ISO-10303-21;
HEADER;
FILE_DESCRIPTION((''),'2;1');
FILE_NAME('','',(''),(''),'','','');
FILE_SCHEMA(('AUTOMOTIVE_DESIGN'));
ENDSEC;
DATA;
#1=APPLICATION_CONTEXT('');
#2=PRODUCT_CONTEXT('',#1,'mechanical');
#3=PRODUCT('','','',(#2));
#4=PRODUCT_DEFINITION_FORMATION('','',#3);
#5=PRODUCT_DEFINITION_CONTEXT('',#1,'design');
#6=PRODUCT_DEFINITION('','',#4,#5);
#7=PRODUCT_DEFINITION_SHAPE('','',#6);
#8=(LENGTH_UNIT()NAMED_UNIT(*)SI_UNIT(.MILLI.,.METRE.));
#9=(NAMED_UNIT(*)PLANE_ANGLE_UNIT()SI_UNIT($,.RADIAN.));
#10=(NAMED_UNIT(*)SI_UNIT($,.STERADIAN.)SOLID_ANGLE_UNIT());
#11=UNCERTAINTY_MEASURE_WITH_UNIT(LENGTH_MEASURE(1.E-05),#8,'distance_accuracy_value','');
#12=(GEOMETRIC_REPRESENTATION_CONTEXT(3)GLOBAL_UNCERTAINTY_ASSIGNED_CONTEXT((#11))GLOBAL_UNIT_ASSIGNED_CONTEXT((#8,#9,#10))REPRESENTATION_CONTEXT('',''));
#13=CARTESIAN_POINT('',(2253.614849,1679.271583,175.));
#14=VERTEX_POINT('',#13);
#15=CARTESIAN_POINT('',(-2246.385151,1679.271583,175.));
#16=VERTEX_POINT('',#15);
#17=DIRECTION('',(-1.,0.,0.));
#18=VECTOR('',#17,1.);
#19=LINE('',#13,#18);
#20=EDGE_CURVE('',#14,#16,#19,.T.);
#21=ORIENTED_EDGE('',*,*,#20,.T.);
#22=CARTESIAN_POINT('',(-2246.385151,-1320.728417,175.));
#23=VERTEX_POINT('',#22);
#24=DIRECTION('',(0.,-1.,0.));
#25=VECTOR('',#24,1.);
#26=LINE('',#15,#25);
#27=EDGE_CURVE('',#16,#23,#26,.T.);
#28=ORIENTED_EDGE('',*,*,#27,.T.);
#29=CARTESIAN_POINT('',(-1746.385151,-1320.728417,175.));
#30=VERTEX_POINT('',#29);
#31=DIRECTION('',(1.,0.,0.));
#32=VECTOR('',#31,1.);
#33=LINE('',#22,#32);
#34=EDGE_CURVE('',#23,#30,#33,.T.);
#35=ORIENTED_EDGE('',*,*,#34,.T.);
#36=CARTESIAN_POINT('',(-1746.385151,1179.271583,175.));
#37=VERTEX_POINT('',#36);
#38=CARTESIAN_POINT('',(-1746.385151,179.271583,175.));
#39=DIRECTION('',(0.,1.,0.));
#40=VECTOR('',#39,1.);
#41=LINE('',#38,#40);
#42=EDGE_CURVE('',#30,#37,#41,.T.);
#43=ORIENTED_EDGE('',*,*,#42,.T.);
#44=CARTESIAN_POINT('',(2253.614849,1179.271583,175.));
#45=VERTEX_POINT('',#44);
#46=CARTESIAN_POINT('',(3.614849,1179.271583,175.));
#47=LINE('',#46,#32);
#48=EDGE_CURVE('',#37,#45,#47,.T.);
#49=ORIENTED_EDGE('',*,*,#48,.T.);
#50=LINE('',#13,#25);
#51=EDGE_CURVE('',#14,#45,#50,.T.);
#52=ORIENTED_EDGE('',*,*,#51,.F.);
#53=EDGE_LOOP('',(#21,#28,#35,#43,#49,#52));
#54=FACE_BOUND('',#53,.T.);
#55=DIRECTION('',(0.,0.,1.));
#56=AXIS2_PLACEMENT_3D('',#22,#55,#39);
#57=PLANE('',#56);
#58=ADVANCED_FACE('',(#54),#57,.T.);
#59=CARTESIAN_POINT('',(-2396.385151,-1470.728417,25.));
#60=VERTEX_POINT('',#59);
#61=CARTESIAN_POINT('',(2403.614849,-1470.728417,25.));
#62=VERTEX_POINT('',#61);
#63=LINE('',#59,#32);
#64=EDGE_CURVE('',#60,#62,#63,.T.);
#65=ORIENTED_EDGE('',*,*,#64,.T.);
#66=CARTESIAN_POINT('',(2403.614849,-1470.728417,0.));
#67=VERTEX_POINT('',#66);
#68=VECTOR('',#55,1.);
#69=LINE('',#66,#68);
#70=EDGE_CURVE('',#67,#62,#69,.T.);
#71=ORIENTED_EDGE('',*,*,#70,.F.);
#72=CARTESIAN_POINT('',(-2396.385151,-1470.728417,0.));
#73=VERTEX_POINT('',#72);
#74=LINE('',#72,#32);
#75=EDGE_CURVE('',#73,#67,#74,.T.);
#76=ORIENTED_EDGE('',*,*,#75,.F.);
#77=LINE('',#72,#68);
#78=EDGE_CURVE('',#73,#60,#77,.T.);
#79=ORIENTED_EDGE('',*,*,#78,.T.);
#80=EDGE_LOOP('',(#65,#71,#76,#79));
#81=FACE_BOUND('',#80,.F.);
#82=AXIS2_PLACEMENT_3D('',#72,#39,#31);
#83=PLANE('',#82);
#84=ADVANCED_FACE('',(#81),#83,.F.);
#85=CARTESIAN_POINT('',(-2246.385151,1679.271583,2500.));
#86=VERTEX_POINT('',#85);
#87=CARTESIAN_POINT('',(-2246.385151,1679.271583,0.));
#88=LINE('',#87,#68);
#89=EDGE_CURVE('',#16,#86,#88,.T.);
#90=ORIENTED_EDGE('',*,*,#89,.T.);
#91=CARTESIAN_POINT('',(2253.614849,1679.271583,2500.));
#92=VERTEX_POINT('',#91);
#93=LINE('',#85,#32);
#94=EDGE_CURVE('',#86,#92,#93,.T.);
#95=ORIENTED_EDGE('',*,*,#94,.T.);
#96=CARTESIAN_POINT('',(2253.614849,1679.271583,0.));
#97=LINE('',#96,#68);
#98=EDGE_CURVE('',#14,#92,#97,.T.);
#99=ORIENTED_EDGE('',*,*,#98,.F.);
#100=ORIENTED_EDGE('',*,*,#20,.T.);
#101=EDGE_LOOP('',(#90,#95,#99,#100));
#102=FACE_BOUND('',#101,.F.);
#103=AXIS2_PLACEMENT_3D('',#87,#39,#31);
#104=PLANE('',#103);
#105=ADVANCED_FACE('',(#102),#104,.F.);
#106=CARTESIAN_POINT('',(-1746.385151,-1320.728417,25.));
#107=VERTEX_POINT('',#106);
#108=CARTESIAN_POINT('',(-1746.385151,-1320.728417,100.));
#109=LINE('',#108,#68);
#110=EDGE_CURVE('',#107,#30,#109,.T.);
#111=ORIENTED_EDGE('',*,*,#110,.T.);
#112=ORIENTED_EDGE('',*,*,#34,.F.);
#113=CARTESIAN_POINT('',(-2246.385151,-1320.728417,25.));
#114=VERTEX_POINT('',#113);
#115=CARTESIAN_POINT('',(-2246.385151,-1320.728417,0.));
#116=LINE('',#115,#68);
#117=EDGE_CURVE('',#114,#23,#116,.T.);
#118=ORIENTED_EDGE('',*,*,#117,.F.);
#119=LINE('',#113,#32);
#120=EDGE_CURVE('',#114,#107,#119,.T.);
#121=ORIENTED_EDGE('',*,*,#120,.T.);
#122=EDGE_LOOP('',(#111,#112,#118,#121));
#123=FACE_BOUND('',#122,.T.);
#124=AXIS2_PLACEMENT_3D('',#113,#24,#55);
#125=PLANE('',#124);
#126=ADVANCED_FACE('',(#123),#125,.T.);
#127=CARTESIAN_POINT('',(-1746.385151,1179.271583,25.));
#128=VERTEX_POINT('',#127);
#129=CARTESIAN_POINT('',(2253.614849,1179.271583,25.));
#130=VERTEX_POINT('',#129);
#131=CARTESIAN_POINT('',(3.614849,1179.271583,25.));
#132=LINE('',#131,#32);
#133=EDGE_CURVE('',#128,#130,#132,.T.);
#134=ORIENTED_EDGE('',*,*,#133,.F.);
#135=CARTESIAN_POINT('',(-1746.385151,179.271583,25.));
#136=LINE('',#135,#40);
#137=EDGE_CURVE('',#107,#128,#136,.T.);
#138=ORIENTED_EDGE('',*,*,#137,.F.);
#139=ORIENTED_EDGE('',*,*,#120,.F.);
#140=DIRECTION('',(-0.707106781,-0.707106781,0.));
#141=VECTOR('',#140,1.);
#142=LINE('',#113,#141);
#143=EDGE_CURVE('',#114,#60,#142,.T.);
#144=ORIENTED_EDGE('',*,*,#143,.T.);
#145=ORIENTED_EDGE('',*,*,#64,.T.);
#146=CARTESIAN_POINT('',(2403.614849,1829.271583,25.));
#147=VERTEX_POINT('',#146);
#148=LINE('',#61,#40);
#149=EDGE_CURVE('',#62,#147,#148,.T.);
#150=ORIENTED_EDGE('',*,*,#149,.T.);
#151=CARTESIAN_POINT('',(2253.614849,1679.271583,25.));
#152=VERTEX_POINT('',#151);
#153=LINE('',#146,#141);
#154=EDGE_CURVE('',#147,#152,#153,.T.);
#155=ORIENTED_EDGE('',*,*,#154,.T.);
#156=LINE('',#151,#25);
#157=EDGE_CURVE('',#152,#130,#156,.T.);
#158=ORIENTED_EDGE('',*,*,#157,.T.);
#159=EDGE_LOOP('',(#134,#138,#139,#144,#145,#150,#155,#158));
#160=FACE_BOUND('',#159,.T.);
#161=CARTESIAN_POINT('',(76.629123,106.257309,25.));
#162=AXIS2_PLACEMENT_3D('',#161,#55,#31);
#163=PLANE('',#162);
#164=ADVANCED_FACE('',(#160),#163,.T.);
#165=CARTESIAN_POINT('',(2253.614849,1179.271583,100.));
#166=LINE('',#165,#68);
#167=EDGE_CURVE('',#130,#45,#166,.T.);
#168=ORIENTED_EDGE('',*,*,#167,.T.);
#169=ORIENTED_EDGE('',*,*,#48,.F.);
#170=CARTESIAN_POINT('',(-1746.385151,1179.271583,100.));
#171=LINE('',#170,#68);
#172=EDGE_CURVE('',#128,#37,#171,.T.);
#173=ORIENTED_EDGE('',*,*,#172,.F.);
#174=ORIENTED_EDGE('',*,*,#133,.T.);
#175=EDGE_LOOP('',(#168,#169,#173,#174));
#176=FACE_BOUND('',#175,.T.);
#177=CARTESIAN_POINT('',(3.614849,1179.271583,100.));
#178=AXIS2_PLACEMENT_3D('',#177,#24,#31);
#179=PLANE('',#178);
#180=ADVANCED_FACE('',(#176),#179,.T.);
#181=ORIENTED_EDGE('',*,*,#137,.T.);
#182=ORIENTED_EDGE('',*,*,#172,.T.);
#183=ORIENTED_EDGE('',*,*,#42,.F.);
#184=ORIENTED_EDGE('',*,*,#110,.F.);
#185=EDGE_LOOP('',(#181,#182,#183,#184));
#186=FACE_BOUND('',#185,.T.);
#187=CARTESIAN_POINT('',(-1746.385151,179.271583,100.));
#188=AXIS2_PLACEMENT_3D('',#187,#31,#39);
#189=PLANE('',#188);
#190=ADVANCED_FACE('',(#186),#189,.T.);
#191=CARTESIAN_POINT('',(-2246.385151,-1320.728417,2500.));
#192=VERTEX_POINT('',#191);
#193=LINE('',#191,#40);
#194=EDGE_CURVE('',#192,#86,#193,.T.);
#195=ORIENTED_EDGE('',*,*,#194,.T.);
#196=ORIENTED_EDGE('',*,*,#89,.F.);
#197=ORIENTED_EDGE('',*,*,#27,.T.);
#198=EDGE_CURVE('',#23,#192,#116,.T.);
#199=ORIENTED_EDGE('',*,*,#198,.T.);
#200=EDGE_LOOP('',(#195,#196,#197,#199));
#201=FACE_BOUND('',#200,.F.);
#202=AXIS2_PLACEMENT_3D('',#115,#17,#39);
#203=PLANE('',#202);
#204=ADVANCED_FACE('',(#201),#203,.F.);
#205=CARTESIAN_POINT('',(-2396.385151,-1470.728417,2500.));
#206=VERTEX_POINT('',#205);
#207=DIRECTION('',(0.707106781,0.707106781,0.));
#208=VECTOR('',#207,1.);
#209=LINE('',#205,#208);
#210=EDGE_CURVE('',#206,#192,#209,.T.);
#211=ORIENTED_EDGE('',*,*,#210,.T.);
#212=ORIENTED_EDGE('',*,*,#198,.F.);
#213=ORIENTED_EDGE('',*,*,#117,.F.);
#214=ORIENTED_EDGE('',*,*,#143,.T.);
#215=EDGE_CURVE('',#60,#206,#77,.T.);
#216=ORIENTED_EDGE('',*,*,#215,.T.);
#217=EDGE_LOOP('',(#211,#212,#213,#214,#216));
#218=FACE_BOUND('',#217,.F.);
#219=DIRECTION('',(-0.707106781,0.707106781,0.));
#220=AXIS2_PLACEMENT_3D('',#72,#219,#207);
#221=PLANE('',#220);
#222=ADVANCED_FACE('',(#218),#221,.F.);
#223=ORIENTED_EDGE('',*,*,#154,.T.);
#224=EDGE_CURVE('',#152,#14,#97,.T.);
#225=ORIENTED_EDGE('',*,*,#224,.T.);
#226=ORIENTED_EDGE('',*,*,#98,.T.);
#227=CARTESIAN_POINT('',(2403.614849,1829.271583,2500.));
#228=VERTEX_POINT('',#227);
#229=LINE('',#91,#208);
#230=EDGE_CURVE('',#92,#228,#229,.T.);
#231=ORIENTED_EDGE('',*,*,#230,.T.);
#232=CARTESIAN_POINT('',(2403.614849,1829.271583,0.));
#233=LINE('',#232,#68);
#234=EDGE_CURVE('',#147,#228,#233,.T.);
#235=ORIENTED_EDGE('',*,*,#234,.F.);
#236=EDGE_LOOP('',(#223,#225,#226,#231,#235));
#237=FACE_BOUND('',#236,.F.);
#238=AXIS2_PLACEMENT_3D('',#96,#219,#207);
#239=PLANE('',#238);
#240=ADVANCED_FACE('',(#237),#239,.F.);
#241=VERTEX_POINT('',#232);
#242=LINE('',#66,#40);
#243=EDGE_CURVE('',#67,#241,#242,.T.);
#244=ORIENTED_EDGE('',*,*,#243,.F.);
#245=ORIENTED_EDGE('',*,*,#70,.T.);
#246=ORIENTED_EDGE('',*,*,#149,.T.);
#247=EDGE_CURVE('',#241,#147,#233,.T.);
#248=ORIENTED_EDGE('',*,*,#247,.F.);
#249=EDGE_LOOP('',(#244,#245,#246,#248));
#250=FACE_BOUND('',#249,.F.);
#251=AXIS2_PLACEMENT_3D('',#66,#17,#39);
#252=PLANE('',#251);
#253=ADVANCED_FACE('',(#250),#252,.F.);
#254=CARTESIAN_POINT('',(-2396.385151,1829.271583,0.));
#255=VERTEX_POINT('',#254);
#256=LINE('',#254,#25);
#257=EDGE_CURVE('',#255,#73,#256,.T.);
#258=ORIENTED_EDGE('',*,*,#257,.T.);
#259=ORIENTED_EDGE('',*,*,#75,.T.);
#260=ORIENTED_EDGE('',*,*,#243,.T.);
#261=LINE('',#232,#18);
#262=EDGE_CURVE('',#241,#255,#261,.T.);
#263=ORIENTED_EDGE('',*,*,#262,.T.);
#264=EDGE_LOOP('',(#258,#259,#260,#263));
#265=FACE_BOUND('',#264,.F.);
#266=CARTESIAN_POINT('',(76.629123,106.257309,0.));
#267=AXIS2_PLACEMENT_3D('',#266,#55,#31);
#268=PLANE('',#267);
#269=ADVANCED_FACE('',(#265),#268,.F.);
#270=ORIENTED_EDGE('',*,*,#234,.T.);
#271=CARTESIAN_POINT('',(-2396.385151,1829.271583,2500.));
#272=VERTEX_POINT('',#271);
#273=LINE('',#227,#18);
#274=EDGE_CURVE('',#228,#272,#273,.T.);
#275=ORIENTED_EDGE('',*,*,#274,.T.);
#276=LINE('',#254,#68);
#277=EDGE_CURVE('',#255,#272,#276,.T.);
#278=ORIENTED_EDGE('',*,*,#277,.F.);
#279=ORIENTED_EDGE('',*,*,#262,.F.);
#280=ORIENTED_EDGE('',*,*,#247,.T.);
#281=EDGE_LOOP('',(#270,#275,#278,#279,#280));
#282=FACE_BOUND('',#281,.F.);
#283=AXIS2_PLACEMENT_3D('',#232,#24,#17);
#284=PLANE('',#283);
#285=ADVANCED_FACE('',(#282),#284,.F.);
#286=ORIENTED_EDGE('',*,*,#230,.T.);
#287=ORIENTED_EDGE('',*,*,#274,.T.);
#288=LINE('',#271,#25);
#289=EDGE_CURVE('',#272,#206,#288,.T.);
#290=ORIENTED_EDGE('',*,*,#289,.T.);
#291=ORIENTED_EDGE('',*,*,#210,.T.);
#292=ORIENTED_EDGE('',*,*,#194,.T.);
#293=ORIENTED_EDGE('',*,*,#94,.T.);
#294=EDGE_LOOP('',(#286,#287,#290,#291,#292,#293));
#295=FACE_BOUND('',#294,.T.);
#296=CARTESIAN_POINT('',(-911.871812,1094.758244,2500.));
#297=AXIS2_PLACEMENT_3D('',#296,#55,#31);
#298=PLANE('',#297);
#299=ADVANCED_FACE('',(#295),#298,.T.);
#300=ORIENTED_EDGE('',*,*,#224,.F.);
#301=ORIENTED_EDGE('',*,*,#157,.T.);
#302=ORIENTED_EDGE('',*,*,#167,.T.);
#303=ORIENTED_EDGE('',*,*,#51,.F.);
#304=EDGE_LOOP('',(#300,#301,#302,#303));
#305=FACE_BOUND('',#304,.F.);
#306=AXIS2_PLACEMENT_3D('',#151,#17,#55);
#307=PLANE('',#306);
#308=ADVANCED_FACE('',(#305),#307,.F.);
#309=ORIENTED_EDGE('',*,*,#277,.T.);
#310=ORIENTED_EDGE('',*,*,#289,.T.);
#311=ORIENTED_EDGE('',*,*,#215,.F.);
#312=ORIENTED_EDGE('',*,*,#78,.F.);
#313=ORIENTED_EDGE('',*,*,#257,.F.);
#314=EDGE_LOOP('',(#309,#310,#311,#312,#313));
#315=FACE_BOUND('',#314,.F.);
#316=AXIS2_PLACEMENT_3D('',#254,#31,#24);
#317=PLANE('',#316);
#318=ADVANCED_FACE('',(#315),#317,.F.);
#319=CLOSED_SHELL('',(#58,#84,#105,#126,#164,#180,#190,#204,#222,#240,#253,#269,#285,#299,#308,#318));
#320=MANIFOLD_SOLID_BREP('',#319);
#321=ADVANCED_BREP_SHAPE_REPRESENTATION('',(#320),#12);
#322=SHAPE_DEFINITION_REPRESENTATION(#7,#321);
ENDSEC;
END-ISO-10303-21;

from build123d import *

# Parameters (mm, degrees)
F1_DEPTH = 2500
F2_DEPTH = 25
F4_W     = 4500
F4_H     = 150
F5_DEPTH = 500
F3_W     = 3000
F3_H     = 150
F6_DEPTH = 500


with BuildPart() as f1:
    # F0 (on Top) → F1 (new body)
    with BuildSketch(Plane.XY):
        Polygon((-2246.385151, -1320.728417), (-2246.385151, 1679.271583), (2253.614849, 1679.271583), (2403.614849, 1829.271583), (-2396.385151, 1829.271583), (-2396.385151, -1470.728417), align=None)
    extrude(amount=F1_DEPTH)

    # F0 (on Top) → F2 (join)
    with BuildSketch(Plane.XY):
        Polygon((2253.614849, 1679.271583), (-2246.385151, 1679.271583), (-2246.385151, -1320.728417), (-2396.385151, -1470.728417), (2403.614849, -1470.728417), (2403.614849, 1829.271583), align=None)
    extrude(amount=F2_DEPTH)

    # F4 (on face) → F5 (join)
    with BuildSketch(Plane.XZ.offset(-1679.271583)):
        with Locations((3.614849, 100)):
            Rectangle(F4_W, F4_H)
    extrude(amount=F5_DEPTH)

    # F3 (on face) → F6 (join)
    with BuildSketch(Plane.YZ.offset(-2246.385151)):
        with Locations((179.271583, 100)):
            Rectangle(F3_W, F3_H)
    extrude(amount=F6_DEPTH)


solid = f1.part
